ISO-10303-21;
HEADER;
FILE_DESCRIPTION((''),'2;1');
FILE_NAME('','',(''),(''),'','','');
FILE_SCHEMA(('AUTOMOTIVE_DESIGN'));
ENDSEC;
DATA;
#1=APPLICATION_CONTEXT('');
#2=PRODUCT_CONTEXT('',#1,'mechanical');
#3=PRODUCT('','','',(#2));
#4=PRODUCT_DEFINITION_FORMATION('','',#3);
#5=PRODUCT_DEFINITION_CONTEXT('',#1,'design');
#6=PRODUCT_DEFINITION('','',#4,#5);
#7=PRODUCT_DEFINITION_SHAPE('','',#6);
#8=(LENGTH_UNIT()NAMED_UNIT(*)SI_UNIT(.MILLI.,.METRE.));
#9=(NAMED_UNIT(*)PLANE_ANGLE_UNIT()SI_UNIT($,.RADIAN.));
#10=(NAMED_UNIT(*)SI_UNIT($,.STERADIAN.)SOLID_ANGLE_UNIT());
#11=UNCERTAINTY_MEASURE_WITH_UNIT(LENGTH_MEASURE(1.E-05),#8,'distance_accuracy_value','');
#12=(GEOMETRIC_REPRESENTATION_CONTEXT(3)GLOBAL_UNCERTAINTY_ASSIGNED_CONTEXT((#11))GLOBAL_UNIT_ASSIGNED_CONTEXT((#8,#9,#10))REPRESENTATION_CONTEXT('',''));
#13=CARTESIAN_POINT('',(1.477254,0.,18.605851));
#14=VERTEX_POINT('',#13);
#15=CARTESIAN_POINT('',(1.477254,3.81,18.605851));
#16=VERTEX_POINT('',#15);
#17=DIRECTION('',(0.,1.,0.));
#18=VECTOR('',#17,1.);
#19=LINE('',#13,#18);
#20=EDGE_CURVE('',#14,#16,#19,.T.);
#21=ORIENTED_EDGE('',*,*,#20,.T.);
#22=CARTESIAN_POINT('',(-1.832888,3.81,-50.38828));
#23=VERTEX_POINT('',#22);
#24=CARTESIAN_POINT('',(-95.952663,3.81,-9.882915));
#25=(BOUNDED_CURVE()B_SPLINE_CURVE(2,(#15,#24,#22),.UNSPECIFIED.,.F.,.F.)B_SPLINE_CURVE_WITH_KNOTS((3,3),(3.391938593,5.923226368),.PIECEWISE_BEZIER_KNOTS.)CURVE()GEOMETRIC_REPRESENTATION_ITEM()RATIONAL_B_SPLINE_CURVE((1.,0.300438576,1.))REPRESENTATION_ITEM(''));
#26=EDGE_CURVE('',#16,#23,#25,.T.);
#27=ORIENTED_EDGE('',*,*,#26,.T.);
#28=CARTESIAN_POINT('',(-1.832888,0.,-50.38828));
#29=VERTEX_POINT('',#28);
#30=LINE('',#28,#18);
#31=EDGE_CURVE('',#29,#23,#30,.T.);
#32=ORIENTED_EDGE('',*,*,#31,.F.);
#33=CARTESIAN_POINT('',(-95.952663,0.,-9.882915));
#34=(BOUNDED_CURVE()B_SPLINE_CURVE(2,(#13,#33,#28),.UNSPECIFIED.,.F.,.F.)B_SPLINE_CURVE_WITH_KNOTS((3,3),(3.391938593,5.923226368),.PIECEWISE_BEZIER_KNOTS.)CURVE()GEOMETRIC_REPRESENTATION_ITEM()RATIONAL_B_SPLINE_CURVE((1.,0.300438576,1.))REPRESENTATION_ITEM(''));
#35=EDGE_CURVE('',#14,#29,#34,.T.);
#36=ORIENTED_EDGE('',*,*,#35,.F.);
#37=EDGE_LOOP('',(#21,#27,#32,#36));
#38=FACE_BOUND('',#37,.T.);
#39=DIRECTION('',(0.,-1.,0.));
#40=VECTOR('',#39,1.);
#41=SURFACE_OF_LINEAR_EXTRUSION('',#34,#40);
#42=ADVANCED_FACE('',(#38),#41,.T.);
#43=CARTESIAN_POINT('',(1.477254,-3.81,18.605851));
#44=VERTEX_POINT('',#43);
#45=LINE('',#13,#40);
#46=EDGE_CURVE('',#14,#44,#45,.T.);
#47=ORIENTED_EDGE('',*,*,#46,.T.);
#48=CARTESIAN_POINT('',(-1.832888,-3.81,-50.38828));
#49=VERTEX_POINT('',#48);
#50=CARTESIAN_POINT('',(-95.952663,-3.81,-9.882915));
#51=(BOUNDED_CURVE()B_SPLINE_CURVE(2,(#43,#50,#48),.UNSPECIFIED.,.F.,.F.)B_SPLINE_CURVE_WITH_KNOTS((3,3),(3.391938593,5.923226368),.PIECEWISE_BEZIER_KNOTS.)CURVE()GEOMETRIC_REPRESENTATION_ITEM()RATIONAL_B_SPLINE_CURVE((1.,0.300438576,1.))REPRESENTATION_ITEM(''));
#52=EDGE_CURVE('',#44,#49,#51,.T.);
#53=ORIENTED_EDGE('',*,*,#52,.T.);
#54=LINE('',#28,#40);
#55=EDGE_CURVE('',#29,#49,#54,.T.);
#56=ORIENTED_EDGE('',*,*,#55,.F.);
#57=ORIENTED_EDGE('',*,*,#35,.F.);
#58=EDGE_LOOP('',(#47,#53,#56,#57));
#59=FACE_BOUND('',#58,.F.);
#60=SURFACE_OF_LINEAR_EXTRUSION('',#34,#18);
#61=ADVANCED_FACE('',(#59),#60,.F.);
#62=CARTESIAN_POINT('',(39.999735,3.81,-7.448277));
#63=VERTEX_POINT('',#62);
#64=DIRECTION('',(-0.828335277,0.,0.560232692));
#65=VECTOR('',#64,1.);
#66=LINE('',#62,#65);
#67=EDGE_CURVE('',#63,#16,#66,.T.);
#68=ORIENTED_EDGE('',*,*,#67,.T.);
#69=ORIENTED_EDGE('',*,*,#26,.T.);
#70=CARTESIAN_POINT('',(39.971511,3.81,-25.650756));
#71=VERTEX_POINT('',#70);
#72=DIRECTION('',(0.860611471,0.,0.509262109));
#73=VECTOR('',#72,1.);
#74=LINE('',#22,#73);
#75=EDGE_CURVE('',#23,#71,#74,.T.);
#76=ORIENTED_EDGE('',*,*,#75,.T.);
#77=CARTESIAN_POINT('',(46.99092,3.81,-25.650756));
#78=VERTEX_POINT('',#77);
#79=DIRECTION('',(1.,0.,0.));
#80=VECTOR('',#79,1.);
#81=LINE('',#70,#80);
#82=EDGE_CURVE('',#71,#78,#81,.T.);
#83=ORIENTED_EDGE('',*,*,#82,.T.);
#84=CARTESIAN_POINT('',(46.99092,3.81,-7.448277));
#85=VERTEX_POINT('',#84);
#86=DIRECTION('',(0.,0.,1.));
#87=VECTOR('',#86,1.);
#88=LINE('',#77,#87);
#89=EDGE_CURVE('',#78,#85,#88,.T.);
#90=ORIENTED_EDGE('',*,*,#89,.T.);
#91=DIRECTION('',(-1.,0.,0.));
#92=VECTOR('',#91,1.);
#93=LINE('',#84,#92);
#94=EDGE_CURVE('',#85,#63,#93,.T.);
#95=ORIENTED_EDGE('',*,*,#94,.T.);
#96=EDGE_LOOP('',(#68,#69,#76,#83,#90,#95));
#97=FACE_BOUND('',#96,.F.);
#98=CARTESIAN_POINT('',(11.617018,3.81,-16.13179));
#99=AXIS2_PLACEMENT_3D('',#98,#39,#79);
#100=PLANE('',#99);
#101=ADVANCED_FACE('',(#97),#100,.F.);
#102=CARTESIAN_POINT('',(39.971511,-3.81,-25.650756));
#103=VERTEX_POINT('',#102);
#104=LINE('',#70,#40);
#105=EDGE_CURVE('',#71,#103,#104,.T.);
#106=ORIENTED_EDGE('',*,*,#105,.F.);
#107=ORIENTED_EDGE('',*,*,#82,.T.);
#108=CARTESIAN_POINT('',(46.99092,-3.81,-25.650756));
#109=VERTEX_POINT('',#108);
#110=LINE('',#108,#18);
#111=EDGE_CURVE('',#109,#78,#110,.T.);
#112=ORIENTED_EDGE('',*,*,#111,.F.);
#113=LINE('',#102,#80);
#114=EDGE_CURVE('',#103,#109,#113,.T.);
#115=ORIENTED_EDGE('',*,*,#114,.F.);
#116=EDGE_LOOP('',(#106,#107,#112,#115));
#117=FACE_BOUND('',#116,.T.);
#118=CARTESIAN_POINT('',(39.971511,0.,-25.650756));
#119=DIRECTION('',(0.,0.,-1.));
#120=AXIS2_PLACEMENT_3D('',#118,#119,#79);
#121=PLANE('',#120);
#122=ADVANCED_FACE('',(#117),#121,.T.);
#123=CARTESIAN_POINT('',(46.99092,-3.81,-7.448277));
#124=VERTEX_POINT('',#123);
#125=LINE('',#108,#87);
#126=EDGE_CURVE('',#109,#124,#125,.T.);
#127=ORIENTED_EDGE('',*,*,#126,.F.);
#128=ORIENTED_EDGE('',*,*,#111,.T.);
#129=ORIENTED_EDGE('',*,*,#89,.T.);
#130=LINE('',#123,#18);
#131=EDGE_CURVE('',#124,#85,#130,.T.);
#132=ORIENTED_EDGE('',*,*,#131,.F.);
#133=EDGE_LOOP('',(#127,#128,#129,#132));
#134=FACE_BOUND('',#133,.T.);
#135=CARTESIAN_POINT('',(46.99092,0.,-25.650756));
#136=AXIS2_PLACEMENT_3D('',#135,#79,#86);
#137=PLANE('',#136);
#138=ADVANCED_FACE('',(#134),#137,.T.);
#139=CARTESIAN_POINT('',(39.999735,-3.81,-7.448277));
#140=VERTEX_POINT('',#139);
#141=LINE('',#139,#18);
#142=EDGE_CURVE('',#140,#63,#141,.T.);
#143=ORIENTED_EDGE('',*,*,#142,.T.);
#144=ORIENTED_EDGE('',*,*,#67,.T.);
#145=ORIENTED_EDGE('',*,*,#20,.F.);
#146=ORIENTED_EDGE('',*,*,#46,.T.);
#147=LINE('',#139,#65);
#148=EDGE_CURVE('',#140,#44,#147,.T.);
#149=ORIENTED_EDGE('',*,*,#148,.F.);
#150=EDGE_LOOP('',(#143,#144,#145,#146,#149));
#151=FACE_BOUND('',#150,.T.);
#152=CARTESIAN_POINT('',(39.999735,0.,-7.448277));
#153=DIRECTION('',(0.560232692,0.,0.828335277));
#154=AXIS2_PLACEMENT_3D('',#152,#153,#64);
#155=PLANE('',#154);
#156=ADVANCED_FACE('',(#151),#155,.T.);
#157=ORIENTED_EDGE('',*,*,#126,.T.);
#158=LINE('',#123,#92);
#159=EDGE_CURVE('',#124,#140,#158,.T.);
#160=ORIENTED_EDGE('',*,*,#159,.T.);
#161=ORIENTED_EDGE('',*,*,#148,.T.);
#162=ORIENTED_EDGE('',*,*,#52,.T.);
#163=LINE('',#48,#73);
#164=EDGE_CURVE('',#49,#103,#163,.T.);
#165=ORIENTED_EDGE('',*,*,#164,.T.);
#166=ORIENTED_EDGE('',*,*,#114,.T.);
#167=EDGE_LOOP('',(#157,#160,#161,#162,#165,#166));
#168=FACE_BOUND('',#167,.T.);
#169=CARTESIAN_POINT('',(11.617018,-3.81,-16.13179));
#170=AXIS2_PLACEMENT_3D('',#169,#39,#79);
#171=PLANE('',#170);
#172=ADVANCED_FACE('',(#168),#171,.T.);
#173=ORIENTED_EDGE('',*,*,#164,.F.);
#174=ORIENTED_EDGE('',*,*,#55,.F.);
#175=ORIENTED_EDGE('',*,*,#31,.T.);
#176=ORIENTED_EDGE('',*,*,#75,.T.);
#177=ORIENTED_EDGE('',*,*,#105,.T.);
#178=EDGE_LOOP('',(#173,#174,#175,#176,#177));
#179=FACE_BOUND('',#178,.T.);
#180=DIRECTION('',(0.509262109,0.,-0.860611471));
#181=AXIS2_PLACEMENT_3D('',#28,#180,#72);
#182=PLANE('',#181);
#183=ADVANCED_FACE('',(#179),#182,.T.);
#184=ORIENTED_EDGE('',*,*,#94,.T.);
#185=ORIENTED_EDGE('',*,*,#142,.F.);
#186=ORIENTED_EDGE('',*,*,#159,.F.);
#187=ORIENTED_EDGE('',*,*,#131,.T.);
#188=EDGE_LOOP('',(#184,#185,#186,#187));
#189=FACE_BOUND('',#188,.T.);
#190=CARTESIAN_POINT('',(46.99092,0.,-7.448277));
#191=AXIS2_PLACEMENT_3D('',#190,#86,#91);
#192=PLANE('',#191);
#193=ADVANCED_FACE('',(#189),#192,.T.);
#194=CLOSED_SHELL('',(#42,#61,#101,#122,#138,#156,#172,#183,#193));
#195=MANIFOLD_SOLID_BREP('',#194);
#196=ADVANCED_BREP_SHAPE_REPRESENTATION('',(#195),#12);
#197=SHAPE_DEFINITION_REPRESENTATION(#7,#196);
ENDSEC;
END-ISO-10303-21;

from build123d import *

# Parameters (mm, degrees)
F1_DEPTH = 3.81


with BuildPart() as f1:
    # F0 (on Front) → F1 (new body, symmetric)
    with BuildSketch(Plane.XZ):
        with BuildLine():
            Line((39.999735067, -7.4482769705), (1.4772535285, 18.6058512943))
            add(Edge.make_bspline(
                [(1.4772535285, 18.6058512943), (-95.952662812, -9.8829154217), (-1.8328876207, -50.3882795617)],
                knots=[3.3919385935, 3.3919385935, 3.3919385935, 5.9232263676, 5.9232263676, 5.9232263676], degree=2, weights=[1, 0.3004385759, 1]))
            Line((-1.8328876207, -50.3882795617), (39.9715108869, -25.6507564336))
            Line((39.9715108869, -25.6507564336), (46.9909198582, -25.6507564336))
            Line((46.9909198582, -25.6507564336), (46.9909198582, -7.4482769705))
            Line((46.9909198582, -7.4482769705), (39.999735067, -7.4482769705))
        make_face()
    extrude(amount=F1_DEPTH, both=True)


solid = f1.part
